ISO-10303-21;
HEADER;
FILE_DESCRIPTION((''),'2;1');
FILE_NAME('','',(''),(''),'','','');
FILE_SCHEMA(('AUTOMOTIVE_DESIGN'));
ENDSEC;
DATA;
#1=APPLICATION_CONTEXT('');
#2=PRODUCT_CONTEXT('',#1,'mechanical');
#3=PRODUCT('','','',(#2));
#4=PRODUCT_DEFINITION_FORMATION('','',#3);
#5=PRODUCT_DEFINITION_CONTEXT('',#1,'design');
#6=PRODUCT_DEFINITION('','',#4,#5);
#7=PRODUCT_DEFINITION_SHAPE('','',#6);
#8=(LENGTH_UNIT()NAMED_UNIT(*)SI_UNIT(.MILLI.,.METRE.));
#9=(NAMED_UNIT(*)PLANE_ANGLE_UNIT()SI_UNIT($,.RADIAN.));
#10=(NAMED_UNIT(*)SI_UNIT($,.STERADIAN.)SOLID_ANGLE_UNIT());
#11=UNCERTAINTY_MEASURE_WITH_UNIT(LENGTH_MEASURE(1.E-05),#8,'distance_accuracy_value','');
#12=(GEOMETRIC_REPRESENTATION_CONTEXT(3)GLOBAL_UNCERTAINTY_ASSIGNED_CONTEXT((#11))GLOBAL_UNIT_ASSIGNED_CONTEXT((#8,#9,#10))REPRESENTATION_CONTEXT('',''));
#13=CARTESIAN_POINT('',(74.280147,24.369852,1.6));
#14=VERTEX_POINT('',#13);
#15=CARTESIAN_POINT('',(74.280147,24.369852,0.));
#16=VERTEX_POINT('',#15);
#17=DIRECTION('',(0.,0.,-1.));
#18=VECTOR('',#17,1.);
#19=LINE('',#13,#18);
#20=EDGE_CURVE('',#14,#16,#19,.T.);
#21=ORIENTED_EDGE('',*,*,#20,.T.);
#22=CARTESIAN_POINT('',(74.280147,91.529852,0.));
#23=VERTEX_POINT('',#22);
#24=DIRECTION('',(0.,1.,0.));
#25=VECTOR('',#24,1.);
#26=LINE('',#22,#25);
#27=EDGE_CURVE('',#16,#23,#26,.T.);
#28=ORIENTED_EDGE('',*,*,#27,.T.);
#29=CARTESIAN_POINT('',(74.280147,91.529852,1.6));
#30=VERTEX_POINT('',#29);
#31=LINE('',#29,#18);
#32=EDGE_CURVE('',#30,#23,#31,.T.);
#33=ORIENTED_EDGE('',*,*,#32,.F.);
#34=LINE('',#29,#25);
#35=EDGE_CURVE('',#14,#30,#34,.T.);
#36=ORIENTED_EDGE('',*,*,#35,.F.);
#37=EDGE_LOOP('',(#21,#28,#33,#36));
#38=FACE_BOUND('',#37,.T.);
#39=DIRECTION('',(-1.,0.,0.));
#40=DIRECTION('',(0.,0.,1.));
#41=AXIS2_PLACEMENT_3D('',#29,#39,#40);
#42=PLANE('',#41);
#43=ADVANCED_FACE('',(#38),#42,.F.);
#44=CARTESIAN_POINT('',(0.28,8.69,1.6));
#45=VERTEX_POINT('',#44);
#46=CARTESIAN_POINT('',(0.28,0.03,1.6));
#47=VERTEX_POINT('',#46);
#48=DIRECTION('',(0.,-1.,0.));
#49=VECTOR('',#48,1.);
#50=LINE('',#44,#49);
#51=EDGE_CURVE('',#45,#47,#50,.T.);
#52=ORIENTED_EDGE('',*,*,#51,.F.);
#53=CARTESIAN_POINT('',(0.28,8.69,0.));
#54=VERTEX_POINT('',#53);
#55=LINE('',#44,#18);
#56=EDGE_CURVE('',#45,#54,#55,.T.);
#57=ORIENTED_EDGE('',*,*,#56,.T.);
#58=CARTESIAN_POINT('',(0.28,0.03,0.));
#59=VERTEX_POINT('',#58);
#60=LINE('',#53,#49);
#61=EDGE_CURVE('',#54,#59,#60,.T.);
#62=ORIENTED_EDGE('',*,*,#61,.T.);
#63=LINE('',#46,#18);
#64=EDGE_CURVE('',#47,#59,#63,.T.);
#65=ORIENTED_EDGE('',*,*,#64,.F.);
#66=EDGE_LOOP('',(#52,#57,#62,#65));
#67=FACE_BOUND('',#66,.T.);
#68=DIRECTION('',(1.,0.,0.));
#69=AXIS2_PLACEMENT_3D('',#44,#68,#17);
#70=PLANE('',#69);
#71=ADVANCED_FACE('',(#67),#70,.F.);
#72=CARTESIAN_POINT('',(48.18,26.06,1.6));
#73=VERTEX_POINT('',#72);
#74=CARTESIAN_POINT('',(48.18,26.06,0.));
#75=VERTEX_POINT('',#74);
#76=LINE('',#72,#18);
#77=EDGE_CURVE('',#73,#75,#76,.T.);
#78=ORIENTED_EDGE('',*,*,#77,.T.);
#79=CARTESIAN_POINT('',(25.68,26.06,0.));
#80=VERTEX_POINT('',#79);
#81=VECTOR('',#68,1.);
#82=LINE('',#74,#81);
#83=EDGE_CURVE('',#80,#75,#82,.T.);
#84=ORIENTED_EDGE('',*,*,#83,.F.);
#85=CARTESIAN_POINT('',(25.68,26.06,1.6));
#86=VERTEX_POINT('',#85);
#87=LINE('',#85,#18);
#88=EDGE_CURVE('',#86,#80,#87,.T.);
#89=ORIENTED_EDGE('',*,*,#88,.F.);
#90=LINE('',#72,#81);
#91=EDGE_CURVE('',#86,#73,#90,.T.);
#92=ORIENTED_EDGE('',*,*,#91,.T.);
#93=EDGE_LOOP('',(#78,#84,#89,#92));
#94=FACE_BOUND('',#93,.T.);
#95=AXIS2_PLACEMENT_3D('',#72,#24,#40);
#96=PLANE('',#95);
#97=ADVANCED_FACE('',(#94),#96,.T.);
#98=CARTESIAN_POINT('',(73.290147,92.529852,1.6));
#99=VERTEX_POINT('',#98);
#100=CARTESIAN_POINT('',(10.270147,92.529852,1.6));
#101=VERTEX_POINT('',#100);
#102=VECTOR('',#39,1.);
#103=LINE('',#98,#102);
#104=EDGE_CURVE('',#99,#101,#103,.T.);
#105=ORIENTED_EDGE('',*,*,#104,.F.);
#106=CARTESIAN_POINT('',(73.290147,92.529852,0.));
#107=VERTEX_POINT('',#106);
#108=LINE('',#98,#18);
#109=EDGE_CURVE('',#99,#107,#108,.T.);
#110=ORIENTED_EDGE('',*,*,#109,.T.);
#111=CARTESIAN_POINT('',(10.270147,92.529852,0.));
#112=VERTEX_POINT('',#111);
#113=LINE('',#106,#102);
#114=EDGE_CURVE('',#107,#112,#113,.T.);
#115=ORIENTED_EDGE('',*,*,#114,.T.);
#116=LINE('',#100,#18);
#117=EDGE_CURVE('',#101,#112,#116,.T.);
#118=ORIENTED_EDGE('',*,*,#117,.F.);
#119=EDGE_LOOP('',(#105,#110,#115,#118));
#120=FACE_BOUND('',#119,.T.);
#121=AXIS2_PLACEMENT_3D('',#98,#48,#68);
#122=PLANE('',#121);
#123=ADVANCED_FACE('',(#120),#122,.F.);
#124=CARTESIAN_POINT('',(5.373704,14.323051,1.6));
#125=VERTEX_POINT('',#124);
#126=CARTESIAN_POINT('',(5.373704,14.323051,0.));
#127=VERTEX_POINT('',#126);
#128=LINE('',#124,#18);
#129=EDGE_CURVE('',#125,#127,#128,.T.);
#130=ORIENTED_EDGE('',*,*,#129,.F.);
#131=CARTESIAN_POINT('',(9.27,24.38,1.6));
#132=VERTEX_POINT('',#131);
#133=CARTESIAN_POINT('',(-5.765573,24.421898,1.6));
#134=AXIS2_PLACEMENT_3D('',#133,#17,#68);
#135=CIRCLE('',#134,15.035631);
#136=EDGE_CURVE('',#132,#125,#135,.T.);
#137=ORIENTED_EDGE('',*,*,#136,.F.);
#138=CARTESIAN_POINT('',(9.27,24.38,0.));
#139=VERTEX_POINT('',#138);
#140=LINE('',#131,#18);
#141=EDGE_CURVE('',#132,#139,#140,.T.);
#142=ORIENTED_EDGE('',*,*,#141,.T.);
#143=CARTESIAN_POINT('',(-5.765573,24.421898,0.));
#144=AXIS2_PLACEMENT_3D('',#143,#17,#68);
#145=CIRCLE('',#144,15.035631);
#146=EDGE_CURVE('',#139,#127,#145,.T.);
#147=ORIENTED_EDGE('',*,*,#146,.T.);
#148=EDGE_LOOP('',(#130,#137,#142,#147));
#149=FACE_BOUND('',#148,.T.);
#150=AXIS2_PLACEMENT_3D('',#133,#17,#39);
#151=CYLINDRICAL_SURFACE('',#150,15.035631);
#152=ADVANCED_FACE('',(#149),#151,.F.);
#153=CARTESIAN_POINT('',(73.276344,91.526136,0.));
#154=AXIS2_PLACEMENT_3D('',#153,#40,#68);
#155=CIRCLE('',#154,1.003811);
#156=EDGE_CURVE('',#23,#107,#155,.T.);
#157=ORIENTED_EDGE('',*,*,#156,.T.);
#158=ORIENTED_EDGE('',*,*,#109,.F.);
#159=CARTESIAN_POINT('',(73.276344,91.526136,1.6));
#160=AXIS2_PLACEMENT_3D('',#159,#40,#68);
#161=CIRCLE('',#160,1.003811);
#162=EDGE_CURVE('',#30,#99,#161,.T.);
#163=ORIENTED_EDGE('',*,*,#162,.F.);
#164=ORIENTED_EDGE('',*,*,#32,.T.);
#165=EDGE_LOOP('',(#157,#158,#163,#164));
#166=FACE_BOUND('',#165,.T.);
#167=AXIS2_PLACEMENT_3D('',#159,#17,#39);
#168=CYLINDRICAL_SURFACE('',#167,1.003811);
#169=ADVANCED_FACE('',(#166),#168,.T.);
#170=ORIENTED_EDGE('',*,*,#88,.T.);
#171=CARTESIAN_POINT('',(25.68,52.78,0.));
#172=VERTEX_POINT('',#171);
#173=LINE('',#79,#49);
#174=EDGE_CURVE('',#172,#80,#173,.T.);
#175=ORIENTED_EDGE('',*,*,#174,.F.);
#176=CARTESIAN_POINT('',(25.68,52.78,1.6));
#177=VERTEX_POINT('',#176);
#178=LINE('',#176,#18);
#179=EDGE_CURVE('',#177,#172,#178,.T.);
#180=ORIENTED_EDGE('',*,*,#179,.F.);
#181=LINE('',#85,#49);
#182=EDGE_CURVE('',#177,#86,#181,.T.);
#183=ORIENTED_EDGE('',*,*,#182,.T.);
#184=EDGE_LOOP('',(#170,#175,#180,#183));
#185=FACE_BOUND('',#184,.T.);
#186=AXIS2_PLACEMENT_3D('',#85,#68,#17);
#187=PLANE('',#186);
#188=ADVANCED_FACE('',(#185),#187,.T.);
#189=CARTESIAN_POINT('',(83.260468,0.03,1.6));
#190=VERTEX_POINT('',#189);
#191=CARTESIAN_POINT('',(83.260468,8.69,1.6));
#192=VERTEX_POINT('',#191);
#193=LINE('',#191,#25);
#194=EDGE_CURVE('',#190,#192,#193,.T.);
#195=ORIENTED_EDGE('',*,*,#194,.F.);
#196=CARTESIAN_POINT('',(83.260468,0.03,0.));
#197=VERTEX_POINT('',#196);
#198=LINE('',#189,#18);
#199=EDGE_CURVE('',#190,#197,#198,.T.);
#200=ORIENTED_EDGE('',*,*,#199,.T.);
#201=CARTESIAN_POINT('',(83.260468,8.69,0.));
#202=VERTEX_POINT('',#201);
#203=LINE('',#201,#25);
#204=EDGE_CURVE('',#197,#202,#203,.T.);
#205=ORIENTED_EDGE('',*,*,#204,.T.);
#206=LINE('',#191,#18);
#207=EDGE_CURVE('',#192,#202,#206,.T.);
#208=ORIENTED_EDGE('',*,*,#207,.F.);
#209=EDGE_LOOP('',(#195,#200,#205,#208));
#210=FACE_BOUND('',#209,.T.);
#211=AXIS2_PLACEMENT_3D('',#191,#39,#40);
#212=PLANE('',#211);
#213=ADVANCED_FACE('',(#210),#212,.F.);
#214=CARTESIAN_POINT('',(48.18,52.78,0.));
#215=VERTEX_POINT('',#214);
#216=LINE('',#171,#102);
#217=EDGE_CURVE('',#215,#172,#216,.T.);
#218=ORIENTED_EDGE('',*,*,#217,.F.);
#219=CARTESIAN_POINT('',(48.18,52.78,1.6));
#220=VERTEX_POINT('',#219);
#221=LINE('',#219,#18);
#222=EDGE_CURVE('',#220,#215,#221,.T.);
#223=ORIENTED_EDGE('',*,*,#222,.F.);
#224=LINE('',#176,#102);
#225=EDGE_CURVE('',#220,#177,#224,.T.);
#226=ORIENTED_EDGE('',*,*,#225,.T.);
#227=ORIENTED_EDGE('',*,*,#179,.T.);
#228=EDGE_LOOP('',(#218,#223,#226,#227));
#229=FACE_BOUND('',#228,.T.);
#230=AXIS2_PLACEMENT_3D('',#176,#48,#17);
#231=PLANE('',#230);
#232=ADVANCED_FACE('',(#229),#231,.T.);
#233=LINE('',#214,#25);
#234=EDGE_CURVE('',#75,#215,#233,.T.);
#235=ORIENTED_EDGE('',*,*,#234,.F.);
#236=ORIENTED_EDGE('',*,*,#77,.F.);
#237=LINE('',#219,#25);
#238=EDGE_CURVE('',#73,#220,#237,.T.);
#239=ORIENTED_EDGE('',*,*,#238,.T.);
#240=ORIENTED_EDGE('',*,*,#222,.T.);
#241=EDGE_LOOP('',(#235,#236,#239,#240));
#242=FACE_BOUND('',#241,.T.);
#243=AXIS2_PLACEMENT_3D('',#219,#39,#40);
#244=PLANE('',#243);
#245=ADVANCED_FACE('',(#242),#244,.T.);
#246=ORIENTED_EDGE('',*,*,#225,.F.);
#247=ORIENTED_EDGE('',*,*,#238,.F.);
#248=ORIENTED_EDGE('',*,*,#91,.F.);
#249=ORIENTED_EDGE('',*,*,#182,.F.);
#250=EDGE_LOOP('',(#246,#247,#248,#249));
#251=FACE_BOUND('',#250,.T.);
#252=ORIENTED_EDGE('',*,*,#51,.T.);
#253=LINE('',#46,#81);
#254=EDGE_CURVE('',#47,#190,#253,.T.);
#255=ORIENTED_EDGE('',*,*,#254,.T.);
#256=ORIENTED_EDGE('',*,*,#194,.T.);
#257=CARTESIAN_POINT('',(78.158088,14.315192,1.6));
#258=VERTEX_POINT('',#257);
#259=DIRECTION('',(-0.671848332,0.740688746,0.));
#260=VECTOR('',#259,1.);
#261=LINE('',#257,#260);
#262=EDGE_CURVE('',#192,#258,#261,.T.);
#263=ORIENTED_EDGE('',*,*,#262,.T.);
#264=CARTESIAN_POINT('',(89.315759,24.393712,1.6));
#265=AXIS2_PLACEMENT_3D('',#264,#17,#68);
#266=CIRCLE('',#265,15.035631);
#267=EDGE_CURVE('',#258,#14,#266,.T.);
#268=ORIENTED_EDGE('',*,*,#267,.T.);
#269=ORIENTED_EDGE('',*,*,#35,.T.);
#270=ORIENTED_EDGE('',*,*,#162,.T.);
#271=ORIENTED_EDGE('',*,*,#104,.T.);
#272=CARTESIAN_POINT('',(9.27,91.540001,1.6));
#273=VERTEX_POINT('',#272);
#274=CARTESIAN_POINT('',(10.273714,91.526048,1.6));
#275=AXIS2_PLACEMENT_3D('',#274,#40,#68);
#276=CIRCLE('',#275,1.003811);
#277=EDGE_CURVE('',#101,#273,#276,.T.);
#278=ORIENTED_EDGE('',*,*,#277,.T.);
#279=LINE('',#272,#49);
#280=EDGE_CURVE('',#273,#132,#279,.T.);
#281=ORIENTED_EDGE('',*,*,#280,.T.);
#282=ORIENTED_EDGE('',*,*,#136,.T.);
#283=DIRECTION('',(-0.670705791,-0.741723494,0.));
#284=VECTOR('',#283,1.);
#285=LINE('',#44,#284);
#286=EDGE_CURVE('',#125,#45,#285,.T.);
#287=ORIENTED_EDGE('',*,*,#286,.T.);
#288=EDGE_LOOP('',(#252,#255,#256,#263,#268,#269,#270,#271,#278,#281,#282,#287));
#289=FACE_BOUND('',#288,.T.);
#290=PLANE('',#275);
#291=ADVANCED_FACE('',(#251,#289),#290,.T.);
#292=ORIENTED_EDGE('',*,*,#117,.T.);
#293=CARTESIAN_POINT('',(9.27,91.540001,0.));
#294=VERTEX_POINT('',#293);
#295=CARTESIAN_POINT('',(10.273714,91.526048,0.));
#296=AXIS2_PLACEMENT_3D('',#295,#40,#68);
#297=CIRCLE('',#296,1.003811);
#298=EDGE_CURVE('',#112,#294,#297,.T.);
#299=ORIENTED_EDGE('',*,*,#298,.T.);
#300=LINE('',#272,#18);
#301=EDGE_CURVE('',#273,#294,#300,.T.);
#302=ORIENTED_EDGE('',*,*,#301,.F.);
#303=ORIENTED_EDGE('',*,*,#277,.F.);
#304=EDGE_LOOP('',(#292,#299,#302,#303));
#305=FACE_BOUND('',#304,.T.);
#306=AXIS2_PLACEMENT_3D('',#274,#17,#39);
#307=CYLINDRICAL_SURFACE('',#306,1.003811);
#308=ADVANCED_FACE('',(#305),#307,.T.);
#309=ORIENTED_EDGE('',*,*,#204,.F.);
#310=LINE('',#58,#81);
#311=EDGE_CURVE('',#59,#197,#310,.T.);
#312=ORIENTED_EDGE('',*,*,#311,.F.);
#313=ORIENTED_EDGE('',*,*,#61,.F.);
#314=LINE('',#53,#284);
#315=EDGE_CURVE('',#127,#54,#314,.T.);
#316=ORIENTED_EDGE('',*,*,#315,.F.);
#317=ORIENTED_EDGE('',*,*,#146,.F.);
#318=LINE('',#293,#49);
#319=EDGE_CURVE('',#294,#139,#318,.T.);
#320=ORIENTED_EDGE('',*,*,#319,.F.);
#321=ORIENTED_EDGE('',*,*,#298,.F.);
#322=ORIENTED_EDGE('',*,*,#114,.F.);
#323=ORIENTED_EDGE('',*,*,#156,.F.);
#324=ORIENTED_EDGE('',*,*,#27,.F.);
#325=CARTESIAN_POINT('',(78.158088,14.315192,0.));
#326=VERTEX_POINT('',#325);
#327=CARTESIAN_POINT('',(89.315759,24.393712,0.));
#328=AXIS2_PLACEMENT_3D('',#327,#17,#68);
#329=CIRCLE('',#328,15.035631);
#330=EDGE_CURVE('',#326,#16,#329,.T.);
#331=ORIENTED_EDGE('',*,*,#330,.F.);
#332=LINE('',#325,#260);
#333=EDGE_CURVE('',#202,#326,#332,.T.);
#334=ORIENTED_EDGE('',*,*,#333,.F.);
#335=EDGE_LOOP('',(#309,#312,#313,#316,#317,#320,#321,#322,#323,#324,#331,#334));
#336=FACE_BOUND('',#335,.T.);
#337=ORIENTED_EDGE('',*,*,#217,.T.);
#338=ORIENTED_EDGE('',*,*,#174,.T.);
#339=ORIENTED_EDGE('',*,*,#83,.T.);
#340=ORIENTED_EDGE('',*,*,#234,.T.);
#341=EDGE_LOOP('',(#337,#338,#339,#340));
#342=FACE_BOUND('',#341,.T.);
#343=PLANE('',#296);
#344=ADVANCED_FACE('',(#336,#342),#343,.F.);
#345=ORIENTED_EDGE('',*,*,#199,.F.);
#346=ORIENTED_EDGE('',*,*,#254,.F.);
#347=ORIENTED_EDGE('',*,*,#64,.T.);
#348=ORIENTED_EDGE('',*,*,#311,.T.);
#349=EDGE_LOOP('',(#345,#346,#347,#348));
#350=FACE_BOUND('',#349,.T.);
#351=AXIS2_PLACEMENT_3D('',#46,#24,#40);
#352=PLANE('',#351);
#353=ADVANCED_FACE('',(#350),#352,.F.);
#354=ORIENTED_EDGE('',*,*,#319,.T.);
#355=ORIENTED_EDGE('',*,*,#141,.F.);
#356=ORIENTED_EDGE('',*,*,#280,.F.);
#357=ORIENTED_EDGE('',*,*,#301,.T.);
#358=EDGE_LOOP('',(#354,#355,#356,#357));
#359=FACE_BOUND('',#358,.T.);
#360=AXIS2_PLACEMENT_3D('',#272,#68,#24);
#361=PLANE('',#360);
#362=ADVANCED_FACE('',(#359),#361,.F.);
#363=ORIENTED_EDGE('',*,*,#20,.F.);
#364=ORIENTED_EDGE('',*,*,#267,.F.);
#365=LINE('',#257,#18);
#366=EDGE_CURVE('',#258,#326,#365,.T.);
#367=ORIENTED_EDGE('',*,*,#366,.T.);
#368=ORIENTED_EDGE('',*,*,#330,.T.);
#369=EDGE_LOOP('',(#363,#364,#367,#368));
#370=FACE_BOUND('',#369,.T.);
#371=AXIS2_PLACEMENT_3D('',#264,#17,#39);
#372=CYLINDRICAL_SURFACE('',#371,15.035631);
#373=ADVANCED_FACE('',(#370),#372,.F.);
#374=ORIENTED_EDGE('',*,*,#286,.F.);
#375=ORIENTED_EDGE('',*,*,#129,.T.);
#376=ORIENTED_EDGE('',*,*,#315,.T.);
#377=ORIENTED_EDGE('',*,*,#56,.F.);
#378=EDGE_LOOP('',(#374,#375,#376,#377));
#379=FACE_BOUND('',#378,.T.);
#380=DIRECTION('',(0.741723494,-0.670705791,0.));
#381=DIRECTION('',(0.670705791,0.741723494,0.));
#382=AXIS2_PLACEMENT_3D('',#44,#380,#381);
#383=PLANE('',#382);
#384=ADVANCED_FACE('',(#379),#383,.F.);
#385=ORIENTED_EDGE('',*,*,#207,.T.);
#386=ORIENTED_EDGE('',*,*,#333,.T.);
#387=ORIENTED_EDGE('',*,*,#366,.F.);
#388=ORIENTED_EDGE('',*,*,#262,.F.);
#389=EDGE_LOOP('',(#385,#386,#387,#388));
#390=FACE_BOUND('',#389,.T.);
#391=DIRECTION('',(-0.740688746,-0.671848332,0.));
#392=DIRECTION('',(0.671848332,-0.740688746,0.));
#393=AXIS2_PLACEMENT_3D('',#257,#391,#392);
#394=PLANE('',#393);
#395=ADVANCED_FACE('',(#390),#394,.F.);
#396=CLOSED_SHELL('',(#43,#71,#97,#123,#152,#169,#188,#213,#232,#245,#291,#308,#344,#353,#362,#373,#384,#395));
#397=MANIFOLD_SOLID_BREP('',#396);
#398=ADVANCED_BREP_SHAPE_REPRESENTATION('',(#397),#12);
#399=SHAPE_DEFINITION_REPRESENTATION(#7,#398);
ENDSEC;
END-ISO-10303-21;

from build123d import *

# Parameters (mm, degrees)
BOARD_W             = 22.5
BOARD_H             = 26.72
BOSS_EXTRUDE2_DEPTH = 1.6


with BuildPart() as part:
    # BOARD → Boss-Extrude2 (new body)
    with BuildSketch(Plane.XY):
        with BuildLine():
            Line((78.158087673, 14.315192257), (83.26046847, 8.69))
            Line((83.26046847, 8.69), (83.26046847, 0.03))
            Line((83.26046847, 0.03), (0.28, 0.03))
            Line((0.28, 0.03), (0.28, 8.69))
            Line((0.28, 8.69), (5.37370372, 14.323050696))
            ThreePointArc((5.37370372, 14.323050696), (8.254635545, 18.990143234), (9.27, 24.38))
            Line((9.27, 24.38), (9.27, 91.540000744))
            ThreePointArc((9.27, 91.540000744), (9.567594313, 92.239511842), (10.270147398, 92.529851835))
            Line((10.270147398, 92.529851835), (73.290147398, 92.529851835))
            ThreePointArc((73.290147398, 92.529851835), (73.989702799, 92.232361682), (74.280147398, 91.529851835))
            Line((74.280147398, 91.529851835), (74.280147398, 24.369851835))
            ThreePointArc((74.280147398, 24.369851835), (75.287357034, 18.983155173), (78.158087673, 14.315192257))
        make_face()
        with Locations((36.93, 39.42)):
            Rectangle(BOARD_W, BOARD_H, mode=Mode.SUBTRACT)
    extrude(amount=BOSS_EXTRUDE2_DEPTH)


solid = part.part
